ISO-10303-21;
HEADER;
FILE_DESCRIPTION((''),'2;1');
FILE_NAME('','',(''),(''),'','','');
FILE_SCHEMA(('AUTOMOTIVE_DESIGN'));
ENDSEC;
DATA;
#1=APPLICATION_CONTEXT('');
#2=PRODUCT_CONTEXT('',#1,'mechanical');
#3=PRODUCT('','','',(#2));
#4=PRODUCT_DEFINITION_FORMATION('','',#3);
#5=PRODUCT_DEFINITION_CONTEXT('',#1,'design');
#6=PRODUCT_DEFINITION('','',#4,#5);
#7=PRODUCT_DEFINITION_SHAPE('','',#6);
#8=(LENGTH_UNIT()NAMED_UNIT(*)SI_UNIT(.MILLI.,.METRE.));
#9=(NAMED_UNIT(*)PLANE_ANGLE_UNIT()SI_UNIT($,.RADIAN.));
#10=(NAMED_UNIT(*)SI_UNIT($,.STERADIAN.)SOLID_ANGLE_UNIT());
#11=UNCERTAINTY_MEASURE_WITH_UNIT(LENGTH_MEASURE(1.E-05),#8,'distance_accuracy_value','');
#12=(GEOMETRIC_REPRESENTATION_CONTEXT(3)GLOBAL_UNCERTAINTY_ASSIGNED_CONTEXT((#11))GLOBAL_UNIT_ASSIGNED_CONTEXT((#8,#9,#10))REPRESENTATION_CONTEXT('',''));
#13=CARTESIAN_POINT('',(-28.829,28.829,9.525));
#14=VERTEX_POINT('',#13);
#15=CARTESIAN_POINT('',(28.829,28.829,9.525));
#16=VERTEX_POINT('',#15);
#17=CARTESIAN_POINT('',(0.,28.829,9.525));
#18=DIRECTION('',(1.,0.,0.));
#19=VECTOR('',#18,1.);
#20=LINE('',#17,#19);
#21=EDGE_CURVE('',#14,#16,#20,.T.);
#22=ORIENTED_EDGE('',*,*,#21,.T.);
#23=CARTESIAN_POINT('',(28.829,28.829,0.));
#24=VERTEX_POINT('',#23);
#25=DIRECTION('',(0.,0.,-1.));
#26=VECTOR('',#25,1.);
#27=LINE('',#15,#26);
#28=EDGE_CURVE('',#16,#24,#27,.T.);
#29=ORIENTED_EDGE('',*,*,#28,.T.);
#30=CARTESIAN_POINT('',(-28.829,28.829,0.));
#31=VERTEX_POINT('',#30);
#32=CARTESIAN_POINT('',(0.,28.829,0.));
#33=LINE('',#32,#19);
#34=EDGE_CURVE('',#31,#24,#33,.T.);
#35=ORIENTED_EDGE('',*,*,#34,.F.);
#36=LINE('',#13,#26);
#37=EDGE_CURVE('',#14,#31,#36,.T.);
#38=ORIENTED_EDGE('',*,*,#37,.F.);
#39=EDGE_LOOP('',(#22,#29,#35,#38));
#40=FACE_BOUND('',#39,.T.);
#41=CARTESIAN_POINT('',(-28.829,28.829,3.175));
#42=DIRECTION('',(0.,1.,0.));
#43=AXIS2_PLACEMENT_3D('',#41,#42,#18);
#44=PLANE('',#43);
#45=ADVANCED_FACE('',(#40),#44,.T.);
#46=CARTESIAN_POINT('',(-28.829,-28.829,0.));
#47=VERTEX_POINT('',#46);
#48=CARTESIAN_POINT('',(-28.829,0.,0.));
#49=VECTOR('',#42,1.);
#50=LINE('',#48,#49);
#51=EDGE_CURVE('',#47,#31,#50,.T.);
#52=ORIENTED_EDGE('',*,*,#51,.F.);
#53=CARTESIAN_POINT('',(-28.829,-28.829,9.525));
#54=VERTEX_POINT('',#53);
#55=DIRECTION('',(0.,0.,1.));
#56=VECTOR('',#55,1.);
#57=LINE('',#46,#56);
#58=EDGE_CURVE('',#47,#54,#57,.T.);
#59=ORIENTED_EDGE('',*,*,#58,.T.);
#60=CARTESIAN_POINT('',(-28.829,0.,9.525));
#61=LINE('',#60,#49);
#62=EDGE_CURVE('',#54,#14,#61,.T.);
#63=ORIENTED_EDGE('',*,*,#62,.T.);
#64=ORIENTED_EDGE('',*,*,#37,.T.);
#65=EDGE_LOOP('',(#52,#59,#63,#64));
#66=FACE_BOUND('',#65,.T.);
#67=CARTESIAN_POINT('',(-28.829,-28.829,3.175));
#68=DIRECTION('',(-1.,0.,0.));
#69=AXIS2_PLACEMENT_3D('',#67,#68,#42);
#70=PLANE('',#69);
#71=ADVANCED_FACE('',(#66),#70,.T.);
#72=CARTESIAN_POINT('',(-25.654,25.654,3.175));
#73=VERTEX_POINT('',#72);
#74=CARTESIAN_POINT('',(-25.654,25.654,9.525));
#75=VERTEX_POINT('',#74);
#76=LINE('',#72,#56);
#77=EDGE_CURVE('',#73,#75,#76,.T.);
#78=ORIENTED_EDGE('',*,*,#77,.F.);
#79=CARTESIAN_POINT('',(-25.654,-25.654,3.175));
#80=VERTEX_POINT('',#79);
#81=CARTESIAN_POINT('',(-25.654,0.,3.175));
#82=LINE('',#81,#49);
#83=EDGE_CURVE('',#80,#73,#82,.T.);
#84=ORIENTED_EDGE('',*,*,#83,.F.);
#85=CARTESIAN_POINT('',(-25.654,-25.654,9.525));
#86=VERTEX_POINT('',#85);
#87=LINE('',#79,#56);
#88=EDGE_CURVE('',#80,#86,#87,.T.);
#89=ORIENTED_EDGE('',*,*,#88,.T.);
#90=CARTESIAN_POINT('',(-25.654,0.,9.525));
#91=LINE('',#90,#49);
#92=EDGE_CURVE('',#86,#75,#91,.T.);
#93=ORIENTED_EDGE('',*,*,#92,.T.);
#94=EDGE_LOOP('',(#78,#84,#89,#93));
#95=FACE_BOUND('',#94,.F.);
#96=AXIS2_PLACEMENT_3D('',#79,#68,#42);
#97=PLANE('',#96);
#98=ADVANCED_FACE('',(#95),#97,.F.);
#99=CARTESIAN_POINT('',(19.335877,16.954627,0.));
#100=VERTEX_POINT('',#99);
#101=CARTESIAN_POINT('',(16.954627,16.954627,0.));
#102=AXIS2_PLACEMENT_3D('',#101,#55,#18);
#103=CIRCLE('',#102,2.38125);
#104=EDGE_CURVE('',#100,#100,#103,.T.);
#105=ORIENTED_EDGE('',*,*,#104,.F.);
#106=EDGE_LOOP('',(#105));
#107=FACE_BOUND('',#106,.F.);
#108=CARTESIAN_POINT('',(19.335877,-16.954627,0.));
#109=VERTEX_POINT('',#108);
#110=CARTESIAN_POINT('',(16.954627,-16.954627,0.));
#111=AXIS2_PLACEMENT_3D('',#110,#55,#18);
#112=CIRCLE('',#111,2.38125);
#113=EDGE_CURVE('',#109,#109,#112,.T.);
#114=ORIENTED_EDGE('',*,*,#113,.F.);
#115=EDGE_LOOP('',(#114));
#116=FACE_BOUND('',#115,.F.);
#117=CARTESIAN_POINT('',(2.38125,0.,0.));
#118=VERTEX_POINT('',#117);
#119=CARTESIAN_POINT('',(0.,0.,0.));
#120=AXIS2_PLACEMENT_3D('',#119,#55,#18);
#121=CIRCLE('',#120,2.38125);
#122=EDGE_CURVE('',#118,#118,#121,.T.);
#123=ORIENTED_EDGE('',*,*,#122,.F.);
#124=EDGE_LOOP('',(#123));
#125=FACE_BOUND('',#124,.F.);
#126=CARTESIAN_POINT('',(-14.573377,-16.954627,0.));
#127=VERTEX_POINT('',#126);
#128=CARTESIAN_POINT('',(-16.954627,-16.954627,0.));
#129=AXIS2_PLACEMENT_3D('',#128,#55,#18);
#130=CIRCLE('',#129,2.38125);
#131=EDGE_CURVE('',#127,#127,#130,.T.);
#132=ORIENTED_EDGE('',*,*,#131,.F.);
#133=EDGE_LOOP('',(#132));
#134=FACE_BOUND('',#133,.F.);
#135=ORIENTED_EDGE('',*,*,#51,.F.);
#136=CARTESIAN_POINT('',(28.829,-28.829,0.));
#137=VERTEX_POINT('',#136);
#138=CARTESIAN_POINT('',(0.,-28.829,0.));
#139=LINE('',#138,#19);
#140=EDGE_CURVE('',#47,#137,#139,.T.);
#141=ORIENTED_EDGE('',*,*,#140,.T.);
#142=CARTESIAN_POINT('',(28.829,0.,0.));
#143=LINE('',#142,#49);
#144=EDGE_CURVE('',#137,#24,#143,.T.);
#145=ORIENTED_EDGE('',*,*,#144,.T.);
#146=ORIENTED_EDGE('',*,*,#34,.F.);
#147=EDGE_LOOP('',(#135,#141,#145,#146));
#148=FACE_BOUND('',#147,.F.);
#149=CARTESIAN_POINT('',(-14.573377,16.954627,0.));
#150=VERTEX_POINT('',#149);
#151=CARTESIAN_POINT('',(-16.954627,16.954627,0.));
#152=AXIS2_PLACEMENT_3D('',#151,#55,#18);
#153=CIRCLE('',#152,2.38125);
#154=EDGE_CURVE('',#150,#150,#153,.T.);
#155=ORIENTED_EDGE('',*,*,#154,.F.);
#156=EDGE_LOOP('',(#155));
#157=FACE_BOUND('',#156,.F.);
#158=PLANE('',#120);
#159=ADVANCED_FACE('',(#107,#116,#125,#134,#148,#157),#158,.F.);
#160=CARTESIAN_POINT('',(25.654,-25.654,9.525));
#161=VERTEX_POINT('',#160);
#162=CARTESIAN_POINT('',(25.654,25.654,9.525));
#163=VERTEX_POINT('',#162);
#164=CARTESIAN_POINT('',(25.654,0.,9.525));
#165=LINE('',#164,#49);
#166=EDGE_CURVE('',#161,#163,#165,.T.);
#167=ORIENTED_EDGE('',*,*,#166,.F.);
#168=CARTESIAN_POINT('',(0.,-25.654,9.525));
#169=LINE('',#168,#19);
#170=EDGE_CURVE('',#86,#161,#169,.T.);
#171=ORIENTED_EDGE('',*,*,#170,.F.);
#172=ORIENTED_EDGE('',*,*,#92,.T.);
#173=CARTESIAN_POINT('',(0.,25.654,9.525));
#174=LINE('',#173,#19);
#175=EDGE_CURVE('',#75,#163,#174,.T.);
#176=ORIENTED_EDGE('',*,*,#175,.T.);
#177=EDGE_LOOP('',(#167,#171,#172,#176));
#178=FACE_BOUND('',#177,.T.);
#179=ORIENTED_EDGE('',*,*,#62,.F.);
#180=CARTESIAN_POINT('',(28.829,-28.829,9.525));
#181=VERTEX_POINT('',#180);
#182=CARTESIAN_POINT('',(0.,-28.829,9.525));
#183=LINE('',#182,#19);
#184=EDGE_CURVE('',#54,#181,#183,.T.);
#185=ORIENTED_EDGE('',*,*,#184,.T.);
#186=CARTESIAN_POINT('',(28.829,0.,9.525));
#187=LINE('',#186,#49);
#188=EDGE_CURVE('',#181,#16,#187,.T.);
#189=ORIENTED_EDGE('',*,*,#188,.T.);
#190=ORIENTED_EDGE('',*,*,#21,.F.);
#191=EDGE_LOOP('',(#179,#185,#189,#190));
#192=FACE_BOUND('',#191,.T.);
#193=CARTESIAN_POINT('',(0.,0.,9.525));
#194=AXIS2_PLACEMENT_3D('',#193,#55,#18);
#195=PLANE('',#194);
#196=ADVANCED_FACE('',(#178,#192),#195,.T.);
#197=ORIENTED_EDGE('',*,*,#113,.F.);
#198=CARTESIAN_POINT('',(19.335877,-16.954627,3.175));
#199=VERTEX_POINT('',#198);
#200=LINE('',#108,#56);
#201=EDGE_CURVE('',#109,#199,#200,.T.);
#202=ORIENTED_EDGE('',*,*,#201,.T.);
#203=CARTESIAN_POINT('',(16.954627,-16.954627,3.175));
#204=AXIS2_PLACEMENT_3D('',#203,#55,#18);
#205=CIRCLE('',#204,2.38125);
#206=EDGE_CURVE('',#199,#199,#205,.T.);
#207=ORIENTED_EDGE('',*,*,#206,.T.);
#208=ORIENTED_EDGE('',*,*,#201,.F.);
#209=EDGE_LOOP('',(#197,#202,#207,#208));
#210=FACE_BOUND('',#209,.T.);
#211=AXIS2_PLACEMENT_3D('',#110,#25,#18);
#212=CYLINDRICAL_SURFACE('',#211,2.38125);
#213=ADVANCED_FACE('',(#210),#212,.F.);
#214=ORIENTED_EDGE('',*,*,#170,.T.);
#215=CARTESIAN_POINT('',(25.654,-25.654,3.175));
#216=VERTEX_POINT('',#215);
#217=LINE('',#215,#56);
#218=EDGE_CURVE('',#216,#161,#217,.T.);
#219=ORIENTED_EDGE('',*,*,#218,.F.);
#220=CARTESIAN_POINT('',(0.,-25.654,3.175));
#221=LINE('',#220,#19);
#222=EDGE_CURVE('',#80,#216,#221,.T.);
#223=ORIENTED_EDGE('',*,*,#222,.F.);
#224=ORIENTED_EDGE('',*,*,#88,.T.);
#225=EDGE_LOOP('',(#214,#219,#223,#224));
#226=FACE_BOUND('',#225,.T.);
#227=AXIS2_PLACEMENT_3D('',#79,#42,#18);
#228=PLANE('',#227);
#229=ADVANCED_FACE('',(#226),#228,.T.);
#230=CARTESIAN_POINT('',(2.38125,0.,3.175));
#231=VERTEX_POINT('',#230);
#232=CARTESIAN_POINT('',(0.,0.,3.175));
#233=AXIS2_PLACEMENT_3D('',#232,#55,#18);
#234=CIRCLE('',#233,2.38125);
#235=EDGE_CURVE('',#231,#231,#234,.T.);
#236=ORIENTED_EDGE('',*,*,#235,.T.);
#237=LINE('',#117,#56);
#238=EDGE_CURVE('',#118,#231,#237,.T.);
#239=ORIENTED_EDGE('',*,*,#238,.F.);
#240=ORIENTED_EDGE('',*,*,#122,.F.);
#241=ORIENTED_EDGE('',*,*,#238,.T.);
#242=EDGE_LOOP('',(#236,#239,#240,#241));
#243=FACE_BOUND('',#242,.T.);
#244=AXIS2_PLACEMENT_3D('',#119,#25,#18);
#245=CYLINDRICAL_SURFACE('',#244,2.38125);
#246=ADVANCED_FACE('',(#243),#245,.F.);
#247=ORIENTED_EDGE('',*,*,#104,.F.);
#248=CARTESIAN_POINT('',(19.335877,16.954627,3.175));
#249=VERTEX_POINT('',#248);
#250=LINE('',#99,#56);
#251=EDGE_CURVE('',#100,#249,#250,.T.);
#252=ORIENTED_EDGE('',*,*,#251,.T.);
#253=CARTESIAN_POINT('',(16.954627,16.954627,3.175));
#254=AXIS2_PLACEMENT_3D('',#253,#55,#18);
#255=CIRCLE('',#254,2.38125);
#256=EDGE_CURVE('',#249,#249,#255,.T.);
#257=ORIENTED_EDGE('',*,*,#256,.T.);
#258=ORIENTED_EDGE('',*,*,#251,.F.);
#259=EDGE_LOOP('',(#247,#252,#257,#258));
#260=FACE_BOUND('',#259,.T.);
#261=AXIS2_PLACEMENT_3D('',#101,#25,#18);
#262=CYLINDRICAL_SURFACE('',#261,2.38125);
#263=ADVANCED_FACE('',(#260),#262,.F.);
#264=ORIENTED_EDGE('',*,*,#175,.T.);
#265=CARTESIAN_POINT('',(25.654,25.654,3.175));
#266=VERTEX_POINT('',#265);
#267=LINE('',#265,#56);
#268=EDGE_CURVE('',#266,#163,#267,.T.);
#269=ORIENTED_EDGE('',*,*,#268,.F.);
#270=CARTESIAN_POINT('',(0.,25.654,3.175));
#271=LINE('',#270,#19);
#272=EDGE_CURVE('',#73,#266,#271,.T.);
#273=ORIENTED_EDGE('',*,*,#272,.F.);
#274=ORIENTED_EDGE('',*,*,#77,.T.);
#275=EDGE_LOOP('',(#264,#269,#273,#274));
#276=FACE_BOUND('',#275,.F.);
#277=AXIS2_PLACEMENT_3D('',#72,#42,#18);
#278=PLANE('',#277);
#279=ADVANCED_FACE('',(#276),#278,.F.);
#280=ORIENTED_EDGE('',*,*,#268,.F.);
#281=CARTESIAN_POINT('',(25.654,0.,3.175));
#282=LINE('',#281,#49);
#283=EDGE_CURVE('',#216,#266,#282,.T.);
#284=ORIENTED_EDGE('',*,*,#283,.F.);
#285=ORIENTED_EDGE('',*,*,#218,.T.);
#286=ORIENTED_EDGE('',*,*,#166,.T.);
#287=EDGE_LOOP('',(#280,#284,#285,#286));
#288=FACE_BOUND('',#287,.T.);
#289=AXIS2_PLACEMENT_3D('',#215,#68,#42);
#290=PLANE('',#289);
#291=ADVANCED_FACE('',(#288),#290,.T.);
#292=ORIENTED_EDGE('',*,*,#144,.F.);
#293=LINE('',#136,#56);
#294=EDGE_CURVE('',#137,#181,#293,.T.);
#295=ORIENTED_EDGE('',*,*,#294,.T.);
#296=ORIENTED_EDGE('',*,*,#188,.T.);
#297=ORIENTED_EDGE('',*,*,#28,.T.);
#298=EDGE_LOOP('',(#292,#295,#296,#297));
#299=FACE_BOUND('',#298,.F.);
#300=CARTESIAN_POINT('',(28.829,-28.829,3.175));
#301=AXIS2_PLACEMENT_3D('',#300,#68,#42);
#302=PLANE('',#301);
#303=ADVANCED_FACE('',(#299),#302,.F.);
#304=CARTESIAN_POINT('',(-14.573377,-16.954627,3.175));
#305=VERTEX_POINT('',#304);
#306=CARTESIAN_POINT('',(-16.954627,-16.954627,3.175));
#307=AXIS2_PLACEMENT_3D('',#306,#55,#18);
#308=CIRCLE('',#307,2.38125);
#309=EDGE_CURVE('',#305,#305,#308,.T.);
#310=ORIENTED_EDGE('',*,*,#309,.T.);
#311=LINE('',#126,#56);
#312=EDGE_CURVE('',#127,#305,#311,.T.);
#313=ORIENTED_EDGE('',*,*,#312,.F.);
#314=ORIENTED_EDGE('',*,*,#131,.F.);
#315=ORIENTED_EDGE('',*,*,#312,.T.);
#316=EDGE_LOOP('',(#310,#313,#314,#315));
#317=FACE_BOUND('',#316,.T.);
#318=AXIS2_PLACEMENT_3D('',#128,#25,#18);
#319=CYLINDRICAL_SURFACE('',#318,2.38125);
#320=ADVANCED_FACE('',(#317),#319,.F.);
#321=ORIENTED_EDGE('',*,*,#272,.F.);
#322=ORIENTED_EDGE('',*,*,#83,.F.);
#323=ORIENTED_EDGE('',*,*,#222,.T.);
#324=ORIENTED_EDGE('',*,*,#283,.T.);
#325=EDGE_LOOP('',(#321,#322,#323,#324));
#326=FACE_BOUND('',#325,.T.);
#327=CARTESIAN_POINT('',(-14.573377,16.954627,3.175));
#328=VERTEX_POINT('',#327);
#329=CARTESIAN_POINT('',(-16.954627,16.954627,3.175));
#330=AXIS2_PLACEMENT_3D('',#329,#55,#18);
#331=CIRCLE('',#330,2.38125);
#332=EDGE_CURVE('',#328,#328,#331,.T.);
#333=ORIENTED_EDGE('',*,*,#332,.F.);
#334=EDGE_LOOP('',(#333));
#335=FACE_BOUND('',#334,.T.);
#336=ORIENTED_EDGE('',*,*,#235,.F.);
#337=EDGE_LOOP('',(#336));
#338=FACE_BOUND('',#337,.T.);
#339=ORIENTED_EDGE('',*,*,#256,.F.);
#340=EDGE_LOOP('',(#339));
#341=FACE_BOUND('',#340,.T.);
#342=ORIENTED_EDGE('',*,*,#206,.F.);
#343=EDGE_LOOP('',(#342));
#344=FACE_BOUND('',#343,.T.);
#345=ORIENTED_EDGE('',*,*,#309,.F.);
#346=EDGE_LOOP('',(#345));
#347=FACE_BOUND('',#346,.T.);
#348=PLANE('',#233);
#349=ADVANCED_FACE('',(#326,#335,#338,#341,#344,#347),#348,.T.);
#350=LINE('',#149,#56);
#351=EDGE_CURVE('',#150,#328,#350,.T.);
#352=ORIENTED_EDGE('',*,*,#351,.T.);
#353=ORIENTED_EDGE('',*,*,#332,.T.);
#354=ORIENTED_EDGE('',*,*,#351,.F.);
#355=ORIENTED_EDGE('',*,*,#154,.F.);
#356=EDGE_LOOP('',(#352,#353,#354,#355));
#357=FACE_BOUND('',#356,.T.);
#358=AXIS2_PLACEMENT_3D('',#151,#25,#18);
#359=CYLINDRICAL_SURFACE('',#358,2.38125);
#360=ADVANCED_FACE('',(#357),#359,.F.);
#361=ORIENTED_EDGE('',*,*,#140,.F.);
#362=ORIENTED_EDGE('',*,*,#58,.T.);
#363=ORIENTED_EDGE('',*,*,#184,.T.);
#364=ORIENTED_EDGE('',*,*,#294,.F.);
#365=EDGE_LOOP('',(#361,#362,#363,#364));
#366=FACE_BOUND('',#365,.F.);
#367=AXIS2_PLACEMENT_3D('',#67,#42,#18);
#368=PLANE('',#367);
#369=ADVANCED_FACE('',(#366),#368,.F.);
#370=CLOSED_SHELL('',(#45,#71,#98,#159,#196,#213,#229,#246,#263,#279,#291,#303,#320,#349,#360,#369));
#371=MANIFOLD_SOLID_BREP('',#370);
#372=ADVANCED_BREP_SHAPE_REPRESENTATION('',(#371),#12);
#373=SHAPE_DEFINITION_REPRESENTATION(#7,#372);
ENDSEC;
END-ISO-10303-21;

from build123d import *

# Parameters (mm, degrees)
F0_W     = 57.658
F0_H     = 57.658
F0_R     = 2.38125
F1_DEPTH = 3.175
F2_W     = 57.658
F2_H     = 57.658
F2_W_2   = 51.308
F2_H_2   = 51.308
F3_DEPTH = 6.35


with BuildPart() as f1:
    # F0 (on Top) → F1 (new body)
    with BuildSketch(Plane.XY):
        Rectangle(F0_W, F0_H)
        with Locations((-16.954627, -16.954627)):
            Circle(F0_R, mode=Mode.SUBTRACT)
        Circle(F0_R, mode=Mode.SUBTRACT)
        with Locations((16.954627, -16.954627)):
            Circle(F0_R, mode=Mode.SUBTRACT)
        with Locations((-16.954627, 16.954627)):
            Circle(F0_R, mode=Mode.SUBTRACT)
        with Locations((16.954627, 16.954627)):
            Circle(F0_R, mode=Mode.SUBTRACT)
    extrude(amount=F1_DEPTH)

    # F2 (on face) → F3 (join)
    with BuildSketch(Plane.XY.offset(3.175)):
        Rectangle(F2_W, F2_H)
        Rectangle(F2_W_2, F2_H_2, mode=Mode.SUBTRACT)
    extrude(amount=F3_DEPTH)


solid = f1.part
